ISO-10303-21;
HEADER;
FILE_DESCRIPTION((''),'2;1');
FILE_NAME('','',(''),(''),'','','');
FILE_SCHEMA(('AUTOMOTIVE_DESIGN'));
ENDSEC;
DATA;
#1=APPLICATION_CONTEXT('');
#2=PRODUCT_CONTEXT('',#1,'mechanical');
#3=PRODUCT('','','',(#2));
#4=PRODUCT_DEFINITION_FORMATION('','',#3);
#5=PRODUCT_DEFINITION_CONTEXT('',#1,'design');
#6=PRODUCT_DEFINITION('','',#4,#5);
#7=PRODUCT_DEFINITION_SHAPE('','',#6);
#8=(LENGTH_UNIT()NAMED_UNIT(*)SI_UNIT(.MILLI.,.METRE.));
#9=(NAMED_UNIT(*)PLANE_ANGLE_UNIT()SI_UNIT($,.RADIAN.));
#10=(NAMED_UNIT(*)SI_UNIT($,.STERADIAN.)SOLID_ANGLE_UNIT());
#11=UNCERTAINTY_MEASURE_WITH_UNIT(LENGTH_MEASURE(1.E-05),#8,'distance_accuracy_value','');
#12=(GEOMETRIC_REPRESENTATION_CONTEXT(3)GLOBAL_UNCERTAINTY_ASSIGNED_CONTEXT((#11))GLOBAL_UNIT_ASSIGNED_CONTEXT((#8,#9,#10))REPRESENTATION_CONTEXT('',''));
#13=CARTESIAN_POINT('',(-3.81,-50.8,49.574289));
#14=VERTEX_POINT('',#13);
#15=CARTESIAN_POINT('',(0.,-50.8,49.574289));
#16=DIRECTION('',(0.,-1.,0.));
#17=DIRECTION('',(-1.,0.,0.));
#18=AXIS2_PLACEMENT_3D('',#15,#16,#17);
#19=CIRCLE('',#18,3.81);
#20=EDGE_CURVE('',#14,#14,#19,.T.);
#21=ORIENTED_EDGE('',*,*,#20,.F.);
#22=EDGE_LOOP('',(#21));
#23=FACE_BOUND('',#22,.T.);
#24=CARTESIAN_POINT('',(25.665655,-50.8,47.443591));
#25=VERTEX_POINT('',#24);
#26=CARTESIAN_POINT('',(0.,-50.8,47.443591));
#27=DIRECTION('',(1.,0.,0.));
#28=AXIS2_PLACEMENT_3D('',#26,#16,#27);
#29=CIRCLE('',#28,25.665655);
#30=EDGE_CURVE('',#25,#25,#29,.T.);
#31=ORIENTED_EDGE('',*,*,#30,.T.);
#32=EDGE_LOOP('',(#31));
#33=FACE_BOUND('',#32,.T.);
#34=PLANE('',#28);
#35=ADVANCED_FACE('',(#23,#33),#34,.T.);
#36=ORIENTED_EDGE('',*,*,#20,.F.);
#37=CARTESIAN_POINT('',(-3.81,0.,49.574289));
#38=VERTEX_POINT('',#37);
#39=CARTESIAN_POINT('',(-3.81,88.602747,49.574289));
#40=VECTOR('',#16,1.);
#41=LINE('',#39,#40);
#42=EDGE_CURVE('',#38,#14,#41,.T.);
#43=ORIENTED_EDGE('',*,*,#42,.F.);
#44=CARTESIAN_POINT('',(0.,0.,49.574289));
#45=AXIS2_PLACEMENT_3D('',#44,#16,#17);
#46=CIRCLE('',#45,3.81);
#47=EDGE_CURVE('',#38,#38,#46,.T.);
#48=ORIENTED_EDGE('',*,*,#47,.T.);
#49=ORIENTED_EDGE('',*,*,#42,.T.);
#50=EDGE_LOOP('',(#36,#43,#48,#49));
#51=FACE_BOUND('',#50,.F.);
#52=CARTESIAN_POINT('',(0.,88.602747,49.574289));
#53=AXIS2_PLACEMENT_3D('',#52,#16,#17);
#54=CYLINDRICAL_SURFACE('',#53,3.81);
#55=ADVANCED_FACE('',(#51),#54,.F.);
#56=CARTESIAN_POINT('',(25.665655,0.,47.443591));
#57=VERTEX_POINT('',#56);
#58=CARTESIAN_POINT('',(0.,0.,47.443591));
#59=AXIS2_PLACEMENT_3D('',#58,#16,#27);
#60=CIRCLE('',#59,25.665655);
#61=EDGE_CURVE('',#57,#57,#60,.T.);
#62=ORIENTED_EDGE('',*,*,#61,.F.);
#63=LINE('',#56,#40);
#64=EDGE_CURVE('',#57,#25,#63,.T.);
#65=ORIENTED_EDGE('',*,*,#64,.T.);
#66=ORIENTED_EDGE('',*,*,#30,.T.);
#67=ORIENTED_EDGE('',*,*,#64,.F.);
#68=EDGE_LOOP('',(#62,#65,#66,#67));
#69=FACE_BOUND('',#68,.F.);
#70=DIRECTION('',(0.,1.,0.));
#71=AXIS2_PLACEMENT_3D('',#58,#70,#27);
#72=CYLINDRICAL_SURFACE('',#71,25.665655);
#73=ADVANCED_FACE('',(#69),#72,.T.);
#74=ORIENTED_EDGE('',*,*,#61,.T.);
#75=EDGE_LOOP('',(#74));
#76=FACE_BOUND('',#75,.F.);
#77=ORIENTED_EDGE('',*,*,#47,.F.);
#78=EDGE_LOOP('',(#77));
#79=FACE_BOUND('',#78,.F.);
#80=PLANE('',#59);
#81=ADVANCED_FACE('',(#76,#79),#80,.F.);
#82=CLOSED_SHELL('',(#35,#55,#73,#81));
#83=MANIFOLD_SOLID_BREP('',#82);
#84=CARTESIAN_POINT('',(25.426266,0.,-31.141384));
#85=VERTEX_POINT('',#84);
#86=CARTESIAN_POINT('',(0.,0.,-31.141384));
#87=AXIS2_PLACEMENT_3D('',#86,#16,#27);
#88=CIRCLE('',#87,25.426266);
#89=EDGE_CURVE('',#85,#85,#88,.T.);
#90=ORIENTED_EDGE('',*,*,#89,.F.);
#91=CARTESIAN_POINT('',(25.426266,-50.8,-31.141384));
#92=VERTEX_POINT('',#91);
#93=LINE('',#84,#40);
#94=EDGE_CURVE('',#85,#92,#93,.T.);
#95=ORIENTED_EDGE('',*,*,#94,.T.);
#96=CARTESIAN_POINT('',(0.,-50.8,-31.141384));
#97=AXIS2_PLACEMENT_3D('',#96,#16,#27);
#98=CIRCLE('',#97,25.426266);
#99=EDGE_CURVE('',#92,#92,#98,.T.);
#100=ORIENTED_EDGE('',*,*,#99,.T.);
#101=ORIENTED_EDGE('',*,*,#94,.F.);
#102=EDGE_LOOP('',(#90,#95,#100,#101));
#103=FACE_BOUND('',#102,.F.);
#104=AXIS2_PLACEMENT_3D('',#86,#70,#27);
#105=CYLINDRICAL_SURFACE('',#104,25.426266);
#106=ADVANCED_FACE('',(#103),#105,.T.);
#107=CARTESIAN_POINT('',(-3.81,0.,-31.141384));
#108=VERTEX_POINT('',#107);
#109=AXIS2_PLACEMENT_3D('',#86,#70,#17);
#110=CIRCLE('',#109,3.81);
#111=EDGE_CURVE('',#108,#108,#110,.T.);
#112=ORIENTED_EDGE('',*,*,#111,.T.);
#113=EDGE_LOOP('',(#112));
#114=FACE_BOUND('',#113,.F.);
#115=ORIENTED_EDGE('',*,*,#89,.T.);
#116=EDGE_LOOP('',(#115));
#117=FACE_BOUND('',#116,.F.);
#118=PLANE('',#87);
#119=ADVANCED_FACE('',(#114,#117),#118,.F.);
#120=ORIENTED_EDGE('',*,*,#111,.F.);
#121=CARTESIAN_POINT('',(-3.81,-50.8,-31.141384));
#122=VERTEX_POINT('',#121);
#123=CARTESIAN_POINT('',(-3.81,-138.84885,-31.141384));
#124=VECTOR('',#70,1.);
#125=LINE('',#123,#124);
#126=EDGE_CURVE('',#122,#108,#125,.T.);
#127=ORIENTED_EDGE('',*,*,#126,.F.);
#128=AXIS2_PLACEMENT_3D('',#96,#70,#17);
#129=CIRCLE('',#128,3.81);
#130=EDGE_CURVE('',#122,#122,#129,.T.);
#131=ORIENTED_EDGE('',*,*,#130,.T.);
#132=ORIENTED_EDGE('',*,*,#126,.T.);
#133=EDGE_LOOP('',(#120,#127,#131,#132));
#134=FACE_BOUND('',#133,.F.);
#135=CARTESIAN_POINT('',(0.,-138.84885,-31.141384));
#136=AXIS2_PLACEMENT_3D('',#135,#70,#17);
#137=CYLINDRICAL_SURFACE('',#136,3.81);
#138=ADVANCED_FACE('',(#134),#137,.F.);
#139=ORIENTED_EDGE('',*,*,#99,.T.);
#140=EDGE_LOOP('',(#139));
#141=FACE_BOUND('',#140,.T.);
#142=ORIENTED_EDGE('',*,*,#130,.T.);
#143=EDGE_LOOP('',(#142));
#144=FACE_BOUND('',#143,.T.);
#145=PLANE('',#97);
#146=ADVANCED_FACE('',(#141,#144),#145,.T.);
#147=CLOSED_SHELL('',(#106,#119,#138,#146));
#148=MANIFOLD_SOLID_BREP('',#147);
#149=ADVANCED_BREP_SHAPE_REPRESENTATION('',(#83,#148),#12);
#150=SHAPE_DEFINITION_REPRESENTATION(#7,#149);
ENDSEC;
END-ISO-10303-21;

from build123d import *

# Parameters (mm, degrees)
F0_R     = 25.6656549917
F1_DEPTH = 50.8
F0_R_2   = 25.4262657658
F3_D     = 7.62
F5_D     = 7.62


with BuildPart() as f1:
    # F0 (on Front) → F1 (new body)
    with BuildSketch(Plane.XZ):
        with Locations((0, 47.4435910583)):
            Circle(F0_R)
    extrude(amount=F1_DEPTH)

    # F3 (through all)
    with Locations(Plane(origin=(0, 0, 0), x_dir=(1, 0, 0), z_dir=(0, 1, 0))):
        with Locations((0, -49.5742894709)):
            Hole(F3_D / 2)


with BuildPart() as f1b:
    # F0 (on Front) → F1, piece 2 (new body)
    with BuildSketch(Plane.XZ):
        with Locations((0, -31.1413835734)):
            Circle(F0_R_2)
    extrude(amount=F1_DEPTH)

    # F5 (through all)
    with Locations(Plane.XZ.offset(50.8)):
        with Locations((0, -31.1413835734)):
            Hole(F5_D / 2)


solid = Compound([f1.part, f1b.part])
